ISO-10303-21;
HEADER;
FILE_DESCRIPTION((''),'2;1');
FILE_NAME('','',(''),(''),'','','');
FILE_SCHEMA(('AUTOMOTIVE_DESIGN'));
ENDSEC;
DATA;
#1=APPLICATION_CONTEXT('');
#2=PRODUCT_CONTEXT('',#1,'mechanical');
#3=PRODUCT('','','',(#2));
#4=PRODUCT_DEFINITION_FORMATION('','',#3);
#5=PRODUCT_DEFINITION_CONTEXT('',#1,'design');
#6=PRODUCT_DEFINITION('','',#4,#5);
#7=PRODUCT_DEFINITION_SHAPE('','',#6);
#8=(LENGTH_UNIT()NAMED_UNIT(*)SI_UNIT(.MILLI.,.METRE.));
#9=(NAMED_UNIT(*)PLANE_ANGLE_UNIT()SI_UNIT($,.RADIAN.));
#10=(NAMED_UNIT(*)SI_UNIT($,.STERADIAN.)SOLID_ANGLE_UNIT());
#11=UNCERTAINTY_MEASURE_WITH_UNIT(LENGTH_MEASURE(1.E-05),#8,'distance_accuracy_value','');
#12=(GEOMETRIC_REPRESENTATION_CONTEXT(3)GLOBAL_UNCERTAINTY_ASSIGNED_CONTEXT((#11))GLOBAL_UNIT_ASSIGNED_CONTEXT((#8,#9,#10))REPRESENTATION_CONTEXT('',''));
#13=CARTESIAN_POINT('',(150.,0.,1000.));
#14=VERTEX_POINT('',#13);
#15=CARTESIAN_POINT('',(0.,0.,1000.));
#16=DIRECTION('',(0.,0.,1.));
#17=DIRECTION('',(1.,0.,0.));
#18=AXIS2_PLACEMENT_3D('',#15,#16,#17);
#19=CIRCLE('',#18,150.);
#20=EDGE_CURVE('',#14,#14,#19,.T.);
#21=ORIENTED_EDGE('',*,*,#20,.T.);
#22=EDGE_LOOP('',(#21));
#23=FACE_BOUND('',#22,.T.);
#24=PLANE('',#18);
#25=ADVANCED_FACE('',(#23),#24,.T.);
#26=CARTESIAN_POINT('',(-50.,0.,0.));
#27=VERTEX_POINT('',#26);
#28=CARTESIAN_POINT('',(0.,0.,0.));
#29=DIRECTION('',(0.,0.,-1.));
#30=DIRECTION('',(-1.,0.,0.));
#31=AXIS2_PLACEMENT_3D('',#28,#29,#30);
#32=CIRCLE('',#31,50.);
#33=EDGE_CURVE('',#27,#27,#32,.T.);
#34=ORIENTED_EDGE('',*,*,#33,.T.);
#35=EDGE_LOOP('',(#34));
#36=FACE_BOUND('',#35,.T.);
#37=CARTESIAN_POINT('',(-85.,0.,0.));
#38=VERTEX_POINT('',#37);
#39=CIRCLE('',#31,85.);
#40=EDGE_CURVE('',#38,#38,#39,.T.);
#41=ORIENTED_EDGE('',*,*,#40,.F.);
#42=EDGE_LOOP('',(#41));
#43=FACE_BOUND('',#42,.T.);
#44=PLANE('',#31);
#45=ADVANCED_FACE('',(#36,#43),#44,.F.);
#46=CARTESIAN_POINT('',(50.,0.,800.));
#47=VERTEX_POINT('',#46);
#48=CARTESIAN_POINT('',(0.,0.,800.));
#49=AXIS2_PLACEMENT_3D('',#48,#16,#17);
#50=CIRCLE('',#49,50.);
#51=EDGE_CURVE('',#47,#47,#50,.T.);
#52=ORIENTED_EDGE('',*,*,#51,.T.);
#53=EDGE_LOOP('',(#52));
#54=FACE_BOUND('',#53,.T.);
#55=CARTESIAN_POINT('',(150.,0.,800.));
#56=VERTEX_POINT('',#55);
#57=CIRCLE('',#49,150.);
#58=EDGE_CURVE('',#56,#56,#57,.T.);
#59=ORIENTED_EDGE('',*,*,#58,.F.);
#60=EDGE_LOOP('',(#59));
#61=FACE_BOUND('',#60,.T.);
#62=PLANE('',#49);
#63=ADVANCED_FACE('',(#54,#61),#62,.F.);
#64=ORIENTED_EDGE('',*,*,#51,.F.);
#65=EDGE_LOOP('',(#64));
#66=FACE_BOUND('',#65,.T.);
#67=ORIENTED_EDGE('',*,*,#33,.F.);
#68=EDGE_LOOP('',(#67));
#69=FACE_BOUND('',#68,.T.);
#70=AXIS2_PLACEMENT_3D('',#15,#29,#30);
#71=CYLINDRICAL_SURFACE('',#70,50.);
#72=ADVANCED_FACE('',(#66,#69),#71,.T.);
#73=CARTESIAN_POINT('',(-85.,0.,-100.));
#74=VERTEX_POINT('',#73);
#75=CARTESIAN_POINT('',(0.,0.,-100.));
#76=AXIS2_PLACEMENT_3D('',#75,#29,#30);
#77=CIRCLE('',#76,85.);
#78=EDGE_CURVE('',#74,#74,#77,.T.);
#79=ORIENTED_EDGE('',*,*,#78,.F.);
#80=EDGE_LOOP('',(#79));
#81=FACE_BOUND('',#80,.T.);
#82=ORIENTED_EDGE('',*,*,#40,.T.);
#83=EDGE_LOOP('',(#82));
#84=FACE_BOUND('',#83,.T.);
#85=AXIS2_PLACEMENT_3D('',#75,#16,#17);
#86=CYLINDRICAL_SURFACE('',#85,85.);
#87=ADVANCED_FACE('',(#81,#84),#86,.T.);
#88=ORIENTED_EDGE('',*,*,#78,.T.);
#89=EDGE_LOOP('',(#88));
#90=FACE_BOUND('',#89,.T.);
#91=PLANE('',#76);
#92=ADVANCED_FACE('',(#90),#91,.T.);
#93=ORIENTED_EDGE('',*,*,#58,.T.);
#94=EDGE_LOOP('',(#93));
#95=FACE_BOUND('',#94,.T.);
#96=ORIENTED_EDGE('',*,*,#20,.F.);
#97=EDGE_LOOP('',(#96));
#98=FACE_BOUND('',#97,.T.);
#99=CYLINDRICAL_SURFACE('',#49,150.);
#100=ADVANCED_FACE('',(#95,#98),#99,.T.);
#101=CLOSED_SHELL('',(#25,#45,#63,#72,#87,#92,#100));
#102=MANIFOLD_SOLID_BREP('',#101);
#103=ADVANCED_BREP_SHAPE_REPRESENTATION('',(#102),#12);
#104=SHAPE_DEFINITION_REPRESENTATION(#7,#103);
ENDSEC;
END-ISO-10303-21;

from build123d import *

# Parameters (mm, degrees)
SKETCH2_R           = 50
BOSS_EXTRUDE1_DEPTH = 1000
SKETCH3_R           = 150
BOSS_EXTRUDE2_DEPTH = 200
SKETCH4_R           = 85
BOSS_EXTRUDE3_DEPTH = 100


with BuildPart() as part:
    # Sketch2 → Boss-Extrude1 (new body)
    with BuildSketch(Plane.XY):
        Circle(SKETCH2_R)
    extrude(amount=BOSS_EXTRUDE1_DEPTH)

    # Sketch3 → Boss-Extrude2 (add)
    with BuildSketch(Plane.XY.offset(1000)):
        Circle(SKETCH3_R)
    extrude(amount=-BOSS_EXTRUDE2_DEPTH)

    # Sketch4 → Boss-Extrude3 (add)
    with BuildSketch(Plane(origin=(0, 0, 0), x_dir=(-1, 0, 0), z_dir=(0, 0, -1))):
        Circle(SKETCH4_R)
    extrude(amount=BOSS_EXTRUDE3_DEPTH)


solid = part.part
